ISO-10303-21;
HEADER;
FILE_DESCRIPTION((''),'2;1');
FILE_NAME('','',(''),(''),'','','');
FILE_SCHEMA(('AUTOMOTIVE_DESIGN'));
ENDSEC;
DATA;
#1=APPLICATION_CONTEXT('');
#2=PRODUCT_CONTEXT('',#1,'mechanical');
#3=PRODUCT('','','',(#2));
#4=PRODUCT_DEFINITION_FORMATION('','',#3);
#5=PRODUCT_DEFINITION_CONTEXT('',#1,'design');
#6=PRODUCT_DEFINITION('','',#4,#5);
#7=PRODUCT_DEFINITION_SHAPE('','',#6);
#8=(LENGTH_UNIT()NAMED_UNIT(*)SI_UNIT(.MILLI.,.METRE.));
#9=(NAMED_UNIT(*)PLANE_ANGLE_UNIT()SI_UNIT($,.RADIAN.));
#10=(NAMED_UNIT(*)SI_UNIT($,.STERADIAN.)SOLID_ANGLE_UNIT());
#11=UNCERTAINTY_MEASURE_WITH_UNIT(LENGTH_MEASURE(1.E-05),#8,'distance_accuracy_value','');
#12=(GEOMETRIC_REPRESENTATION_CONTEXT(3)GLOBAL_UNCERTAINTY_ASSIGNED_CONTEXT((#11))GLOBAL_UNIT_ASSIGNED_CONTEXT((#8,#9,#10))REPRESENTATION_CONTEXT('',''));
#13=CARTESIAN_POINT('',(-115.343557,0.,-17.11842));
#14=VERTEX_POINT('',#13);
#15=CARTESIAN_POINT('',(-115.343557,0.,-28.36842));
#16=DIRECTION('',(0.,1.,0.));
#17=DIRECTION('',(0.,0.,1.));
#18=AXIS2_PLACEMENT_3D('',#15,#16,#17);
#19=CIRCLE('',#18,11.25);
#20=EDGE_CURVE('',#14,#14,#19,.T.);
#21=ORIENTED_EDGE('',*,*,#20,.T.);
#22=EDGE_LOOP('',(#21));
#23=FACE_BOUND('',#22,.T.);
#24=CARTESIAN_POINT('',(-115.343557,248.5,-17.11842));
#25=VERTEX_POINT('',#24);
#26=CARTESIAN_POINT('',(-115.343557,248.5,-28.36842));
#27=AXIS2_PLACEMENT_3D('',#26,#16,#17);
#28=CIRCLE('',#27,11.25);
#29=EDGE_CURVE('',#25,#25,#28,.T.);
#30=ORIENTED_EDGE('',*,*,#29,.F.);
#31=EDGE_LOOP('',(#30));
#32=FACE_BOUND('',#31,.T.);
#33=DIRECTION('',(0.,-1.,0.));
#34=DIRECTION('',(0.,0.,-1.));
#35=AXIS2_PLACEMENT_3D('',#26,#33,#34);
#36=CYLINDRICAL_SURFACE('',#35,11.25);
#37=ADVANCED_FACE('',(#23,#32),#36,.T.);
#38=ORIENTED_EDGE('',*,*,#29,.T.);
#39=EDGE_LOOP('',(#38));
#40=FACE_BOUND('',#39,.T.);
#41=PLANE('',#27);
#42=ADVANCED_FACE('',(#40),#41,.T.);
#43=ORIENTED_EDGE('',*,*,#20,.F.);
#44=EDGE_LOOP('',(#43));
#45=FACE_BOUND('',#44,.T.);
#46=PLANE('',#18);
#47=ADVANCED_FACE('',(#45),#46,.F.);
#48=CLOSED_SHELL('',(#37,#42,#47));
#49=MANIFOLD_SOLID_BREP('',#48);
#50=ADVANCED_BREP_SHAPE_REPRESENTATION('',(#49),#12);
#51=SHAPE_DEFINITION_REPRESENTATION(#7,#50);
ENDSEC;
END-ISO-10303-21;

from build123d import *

# Parameters (mm, degrees)
SKETCH4_R           = 11.25
BOSS_EXTRUDE1_DEPTH = 248.5


with BuildPart() as part:
    # Sketch4 → Boss-Extrude1 (new body)
    with BuildSketch(Plane(origin=(0, 0, 0), x_dir=(1, 0, 0), z_dir=(0, 1, 0))):
        with Locations((-115.343556571, 28.368419978)):
            Circle(SKETCH4_R)
    extrude(amount=BOSS_EXTRUDE1_DEPTH)


solid = part.part
